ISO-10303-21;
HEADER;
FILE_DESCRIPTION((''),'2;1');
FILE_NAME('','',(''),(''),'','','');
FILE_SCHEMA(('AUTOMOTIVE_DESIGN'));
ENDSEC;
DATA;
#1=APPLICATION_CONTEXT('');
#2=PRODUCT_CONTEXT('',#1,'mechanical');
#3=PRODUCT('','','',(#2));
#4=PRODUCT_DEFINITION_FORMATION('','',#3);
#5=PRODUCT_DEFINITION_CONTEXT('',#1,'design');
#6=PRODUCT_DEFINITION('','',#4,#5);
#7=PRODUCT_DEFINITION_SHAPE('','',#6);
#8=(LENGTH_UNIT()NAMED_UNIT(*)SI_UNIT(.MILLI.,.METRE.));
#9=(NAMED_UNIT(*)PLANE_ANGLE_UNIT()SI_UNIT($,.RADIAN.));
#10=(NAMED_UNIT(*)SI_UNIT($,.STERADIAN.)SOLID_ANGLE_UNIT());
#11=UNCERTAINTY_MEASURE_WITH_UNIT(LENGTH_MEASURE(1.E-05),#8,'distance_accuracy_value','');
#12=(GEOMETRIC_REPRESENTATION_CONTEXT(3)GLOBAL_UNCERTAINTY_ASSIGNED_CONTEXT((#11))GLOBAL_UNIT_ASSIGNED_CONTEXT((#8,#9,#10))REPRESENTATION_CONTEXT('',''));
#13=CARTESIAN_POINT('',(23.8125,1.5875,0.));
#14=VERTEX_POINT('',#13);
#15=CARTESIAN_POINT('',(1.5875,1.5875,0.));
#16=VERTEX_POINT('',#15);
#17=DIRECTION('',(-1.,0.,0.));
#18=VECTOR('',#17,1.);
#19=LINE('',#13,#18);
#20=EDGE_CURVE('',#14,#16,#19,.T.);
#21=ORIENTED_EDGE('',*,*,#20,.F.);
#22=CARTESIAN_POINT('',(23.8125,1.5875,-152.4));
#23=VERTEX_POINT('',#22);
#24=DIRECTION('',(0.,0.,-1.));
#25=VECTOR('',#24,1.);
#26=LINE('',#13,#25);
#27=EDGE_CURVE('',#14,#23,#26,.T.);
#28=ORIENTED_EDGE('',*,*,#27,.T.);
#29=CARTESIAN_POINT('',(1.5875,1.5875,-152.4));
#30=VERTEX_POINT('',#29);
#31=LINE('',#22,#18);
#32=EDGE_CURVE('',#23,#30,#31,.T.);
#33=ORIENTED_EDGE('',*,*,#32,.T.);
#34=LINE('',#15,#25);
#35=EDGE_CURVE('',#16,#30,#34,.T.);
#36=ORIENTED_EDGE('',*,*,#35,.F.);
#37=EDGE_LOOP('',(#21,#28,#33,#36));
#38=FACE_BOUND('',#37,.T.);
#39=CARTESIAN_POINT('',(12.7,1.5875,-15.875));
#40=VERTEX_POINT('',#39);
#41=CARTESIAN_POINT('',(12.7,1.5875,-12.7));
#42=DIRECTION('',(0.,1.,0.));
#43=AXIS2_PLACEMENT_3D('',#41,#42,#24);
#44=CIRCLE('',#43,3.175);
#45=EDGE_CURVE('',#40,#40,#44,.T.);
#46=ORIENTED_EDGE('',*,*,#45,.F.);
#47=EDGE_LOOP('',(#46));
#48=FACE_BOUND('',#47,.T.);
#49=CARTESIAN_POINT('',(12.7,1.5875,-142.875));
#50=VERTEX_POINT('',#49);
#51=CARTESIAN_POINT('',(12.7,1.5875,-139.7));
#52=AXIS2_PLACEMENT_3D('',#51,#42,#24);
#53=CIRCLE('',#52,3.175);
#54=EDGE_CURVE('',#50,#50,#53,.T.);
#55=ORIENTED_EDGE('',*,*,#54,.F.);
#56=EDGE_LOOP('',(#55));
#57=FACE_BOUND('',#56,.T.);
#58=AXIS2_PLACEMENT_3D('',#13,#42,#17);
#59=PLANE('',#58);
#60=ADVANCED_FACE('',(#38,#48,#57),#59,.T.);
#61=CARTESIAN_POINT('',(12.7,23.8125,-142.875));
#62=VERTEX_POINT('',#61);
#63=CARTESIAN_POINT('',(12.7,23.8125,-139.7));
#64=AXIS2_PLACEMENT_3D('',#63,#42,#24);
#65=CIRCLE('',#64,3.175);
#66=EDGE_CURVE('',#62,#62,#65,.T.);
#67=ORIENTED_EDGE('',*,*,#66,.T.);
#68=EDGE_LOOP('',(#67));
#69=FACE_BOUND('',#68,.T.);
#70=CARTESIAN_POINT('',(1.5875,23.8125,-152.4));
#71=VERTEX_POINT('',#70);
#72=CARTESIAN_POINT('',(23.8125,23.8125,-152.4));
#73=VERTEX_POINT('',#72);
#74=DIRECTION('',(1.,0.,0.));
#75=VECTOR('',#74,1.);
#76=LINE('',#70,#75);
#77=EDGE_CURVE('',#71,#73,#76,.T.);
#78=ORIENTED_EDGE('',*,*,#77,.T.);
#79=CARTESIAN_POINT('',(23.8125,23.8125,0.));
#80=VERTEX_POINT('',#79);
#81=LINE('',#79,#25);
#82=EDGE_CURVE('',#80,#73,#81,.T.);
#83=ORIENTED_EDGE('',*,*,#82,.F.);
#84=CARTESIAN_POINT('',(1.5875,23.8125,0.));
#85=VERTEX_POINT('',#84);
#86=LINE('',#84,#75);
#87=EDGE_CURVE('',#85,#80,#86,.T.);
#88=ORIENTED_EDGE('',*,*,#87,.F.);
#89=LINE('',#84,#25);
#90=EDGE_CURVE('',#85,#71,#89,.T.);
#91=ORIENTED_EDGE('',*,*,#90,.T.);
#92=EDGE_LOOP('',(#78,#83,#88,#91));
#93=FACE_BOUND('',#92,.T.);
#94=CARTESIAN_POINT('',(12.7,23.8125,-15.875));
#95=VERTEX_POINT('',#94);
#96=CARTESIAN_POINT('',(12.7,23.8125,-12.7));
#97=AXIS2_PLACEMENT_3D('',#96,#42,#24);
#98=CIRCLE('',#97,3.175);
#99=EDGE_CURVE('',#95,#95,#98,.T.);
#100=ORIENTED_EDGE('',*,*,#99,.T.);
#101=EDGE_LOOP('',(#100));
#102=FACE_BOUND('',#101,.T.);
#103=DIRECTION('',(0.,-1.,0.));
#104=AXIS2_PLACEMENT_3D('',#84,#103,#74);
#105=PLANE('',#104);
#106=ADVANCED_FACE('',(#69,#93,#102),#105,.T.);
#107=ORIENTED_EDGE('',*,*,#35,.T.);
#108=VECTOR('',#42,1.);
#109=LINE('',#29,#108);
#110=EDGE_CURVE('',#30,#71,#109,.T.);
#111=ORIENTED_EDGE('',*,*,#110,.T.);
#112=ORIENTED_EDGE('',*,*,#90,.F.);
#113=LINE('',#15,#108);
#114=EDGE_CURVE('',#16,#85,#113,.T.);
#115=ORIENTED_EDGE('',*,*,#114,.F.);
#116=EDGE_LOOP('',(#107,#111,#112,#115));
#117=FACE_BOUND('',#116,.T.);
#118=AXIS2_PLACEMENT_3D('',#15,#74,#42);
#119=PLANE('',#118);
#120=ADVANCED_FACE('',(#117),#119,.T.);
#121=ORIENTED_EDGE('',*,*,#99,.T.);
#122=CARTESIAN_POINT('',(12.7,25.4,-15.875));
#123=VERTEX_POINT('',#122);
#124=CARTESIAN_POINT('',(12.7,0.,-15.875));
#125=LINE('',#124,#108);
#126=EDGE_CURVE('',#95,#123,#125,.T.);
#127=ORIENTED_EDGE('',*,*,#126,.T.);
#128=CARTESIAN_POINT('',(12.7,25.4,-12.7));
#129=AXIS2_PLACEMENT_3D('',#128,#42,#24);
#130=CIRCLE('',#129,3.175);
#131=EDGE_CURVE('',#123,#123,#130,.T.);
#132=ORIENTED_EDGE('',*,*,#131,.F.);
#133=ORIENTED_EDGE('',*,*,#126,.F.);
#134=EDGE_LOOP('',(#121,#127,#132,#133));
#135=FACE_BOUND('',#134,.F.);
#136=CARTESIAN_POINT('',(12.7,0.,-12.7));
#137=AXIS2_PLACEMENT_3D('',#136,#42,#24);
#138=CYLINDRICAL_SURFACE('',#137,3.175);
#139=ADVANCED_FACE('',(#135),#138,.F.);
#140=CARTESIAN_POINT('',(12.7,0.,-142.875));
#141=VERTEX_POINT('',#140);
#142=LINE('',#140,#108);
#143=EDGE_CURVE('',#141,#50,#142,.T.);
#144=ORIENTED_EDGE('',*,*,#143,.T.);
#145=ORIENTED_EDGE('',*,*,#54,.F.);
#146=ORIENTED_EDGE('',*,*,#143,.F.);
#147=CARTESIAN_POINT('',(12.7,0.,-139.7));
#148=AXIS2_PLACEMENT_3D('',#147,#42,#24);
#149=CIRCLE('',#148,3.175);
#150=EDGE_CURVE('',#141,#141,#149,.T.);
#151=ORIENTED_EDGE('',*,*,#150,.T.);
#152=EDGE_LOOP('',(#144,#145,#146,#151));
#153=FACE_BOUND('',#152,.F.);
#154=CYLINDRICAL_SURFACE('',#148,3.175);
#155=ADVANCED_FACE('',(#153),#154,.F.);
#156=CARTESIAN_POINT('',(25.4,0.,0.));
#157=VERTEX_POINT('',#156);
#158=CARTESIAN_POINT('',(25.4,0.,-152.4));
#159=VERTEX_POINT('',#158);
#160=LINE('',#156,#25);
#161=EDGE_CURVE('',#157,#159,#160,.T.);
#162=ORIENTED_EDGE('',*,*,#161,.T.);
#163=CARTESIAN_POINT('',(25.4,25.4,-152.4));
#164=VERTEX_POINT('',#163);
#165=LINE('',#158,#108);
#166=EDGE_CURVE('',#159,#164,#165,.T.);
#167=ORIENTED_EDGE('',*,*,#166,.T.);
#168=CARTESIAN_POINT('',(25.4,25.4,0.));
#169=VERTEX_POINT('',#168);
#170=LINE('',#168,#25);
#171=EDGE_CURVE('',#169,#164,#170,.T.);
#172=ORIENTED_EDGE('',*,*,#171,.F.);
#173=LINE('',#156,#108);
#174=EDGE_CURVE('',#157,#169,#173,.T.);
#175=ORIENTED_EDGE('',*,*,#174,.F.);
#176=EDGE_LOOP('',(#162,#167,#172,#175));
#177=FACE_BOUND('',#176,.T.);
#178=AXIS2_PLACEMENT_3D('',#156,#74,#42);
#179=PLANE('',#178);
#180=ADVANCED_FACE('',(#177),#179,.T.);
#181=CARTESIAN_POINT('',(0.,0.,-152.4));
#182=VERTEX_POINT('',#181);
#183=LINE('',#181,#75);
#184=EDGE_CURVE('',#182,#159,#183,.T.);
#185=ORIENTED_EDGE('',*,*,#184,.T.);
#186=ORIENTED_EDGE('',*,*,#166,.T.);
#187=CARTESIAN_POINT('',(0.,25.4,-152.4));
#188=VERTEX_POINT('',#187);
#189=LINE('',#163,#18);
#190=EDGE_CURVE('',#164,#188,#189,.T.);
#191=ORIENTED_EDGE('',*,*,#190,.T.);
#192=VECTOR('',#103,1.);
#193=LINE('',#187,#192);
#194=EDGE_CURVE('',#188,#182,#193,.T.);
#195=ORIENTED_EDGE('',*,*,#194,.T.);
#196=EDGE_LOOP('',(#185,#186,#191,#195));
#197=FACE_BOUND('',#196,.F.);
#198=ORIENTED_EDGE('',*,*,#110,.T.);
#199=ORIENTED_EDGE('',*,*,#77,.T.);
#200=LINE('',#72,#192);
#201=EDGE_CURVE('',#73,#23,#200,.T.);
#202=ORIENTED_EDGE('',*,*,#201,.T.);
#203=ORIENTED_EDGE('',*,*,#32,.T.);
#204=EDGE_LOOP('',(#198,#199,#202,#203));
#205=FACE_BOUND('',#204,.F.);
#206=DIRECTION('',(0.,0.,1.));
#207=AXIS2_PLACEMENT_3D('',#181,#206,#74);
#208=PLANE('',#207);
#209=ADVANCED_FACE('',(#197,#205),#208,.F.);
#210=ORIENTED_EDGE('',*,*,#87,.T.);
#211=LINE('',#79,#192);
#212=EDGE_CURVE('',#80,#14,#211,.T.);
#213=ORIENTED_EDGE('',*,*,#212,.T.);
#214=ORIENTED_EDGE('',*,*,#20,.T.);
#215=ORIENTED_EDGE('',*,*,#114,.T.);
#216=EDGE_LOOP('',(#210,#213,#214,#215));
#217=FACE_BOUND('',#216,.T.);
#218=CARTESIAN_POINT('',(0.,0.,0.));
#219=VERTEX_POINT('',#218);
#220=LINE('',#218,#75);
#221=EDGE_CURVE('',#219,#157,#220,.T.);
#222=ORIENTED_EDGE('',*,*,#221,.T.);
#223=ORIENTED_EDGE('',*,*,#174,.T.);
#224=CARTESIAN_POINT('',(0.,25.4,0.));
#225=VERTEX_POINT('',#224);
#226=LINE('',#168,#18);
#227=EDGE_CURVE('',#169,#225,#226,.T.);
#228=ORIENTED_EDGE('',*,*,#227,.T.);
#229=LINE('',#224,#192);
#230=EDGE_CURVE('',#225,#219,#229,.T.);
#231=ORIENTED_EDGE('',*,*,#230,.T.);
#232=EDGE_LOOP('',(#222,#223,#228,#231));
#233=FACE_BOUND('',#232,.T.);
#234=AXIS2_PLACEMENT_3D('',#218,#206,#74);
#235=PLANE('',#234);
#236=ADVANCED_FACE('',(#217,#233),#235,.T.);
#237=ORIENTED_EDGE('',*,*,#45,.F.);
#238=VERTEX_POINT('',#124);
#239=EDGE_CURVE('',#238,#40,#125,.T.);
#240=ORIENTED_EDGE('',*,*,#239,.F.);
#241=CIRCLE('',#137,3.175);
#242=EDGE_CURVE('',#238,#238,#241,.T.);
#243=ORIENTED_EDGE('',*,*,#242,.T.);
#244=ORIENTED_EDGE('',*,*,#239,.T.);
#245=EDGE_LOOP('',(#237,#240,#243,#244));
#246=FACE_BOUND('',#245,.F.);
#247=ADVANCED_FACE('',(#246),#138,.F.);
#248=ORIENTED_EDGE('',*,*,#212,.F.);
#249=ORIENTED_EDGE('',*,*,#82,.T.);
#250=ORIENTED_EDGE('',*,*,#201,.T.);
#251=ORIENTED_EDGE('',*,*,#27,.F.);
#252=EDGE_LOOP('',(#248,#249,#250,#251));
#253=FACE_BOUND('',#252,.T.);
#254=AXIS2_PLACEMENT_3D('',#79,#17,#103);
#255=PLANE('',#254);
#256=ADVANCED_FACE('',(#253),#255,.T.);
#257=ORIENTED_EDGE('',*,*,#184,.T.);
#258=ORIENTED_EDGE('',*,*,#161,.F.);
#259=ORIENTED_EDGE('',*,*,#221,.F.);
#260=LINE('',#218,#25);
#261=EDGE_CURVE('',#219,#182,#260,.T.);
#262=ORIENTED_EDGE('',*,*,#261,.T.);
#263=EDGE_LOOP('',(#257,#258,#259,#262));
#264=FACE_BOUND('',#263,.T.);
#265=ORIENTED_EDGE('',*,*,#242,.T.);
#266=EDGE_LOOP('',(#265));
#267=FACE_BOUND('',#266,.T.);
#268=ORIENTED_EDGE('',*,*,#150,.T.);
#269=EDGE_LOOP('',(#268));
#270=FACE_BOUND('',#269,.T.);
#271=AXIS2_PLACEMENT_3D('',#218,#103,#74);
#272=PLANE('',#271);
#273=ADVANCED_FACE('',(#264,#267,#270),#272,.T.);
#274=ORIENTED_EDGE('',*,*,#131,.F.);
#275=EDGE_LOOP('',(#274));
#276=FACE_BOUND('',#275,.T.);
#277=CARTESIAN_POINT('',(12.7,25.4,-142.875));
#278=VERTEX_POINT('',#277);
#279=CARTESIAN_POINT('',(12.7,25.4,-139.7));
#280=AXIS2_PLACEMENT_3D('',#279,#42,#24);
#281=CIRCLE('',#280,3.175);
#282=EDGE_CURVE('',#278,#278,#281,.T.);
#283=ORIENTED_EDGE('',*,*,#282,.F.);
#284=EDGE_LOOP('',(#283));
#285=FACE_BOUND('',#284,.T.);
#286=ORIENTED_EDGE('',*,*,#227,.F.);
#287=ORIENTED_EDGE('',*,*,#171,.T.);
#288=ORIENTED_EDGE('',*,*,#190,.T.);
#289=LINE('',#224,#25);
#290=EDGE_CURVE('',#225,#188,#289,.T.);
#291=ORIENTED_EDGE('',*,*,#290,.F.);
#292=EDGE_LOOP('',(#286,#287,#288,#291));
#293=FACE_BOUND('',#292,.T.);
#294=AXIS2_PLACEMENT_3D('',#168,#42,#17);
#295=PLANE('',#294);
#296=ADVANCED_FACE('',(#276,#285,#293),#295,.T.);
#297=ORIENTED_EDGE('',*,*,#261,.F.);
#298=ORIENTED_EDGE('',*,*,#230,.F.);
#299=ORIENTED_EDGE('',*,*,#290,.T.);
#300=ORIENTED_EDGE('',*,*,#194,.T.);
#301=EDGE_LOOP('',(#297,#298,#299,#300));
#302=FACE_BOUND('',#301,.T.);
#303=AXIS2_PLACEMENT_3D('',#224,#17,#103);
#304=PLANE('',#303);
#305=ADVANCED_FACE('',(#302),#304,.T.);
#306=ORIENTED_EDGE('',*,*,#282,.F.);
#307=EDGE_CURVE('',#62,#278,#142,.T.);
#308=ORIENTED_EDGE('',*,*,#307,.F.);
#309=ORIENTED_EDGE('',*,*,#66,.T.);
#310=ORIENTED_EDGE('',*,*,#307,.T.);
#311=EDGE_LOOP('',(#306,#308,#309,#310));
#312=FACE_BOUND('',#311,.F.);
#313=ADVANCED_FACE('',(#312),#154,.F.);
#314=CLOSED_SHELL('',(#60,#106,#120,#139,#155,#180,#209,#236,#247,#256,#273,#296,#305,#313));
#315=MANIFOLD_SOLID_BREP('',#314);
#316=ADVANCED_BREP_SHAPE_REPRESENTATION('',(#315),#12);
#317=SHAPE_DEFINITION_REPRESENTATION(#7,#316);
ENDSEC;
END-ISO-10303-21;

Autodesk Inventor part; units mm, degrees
ref_plane "YZ Plane" through (0, 0, 0) normal (1, 0, 0) x (0, 1, 0)
ref_plane "XZ Plane" through (0, 0, 0) normal (0, 1, 0) x (-1, 0, 0)
ref_plane "XY Plane" through (0, 0, 0) normal (0, 0, 1) x (1, 0, 0)
sketch "Sketch1" plane through (0, 0, 0) normal (0, 0, 1) x (1, 0, 0)
  line L0 (0, 0) -> (25.4, 0)
  line L1 (25.4, 0) -> (25.4, 25.4)
  line L2 (25.4, 25.4) -> (0, 25.4)
  line L3 (0, 25.4) -> (0, 0)
  line L4 (1.5875, 23.8125) -> (23.8125, 23.8125)
  line L5 (23.8125, 23.8125) -> (23.8125, 1.5875)
  line L6 (23.8125, 1.5875) -> (1.5875, 1.5875)
  line L7 (1.5875, 1.5875) -> (1.5875, 23.8125)
  dimension "d0" = 25.4
  dimension "d1" = 25.4
  dimension "d2" = 1.5875
extrude "Extrusion1" add sketch "Sketch1" against normal blind 152.4
sketch "Sketch3" plane through (0, 0, 0) normal (0, -1, 0) x (1, 0, 0)
  line L0 (0, -152.4) -> (25.4, -152.4) projected
  line L1 (0, 0) -> (25.4, 0) projected
  point P0 (12.7, -12.7)
  point P1 (12.7, -139.7)
  dimension "d7" = 12.7
  dimension "d8" = 12.7
hole "Hole2" at (12.7, 0, -12.7) at (12.7, 0, -139.7) direction (0, 1, 0) diameter 6.35 depth 25.4 tip angle 118
properties part number "tube_b_l_in_wheel"
